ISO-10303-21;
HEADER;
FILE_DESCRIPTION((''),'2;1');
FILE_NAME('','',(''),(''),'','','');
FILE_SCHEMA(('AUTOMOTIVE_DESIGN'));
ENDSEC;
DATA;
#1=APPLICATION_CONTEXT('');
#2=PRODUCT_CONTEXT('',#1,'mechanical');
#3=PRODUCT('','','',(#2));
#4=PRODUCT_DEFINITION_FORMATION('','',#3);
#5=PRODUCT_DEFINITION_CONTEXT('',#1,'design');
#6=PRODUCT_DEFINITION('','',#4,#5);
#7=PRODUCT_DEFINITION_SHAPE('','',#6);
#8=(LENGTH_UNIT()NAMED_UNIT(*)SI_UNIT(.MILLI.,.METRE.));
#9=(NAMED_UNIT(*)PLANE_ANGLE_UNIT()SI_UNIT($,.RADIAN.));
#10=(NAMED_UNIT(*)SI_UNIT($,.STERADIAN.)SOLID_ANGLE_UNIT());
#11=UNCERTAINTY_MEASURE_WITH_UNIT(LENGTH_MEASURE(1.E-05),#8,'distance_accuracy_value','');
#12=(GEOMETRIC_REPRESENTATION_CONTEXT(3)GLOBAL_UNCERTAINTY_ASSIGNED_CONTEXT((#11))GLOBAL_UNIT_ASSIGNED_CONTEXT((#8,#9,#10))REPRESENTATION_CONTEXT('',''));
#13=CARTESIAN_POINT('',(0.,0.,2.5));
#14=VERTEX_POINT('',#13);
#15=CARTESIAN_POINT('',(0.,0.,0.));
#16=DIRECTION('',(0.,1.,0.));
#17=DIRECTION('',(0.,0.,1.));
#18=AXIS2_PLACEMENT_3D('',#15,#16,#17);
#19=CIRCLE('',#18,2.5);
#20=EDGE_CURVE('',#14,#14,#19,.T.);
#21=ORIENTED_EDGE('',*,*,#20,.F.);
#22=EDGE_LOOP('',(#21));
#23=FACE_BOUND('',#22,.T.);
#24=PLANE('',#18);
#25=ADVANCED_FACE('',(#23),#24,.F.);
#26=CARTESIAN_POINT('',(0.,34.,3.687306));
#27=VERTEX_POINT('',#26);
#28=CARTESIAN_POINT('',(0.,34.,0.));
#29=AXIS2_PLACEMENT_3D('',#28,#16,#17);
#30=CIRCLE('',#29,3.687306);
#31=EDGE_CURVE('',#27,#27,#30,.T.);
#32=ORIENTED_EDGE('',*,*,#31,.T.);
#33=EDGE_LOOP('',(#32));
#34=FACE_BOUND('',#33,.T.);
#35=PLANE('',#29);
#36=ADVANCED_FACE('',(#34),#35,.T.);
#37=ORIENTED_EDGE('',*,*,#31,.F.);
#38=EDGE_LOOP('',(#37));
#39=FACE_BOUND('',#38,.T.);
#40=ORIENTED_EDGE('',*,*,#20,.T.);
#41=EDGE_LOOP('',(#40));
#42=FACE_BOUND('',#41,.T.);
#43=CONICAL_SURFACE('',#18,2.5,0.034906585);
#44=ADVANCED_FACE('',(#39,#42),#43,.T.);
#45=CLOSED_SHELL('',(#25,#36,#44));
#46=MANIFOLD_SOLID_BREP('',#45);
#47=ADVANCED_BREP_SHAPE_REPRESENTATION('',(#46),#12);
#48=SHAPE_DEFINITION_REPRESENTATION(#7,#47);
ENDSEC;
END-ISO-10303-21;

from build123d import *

# Parameters (mm, degrees)
SKETCH1_R           = 2.5
BOSS_EXTRUDE1_DEPTH = 34
BOSS_EXTRUDE1_DRAFT = -2


with BuildPart() as part:
    # Sketch1 → Boss-Extrude1 (with draft: the straight prism first)
    with BuildSketch(Plane(origin=(0, 0, 0), x_dir=(1, 0, 0), z_dir=(0, 1, 0))):
        Circle(SKETCH1_R)
    extrude(amount=BOSS_EXTRUDE1_DEPTH)
    # Boss-Extrude1: the draft: its side faces are tilted about the plane it starts from
    boss_extrude1_sides = [part.faces().sort_by_distance(p)[0] for p in [
        (-2.5, 17, 0),
    ]]
    draft(boss_extrude1_sides, Plane(origin=(0, 0, 0), x_dir=(1, 0, 0), z_dir=(0, 1, 0)), BOSS_EXTRUDE1_DRAFT)


solid = part.part
